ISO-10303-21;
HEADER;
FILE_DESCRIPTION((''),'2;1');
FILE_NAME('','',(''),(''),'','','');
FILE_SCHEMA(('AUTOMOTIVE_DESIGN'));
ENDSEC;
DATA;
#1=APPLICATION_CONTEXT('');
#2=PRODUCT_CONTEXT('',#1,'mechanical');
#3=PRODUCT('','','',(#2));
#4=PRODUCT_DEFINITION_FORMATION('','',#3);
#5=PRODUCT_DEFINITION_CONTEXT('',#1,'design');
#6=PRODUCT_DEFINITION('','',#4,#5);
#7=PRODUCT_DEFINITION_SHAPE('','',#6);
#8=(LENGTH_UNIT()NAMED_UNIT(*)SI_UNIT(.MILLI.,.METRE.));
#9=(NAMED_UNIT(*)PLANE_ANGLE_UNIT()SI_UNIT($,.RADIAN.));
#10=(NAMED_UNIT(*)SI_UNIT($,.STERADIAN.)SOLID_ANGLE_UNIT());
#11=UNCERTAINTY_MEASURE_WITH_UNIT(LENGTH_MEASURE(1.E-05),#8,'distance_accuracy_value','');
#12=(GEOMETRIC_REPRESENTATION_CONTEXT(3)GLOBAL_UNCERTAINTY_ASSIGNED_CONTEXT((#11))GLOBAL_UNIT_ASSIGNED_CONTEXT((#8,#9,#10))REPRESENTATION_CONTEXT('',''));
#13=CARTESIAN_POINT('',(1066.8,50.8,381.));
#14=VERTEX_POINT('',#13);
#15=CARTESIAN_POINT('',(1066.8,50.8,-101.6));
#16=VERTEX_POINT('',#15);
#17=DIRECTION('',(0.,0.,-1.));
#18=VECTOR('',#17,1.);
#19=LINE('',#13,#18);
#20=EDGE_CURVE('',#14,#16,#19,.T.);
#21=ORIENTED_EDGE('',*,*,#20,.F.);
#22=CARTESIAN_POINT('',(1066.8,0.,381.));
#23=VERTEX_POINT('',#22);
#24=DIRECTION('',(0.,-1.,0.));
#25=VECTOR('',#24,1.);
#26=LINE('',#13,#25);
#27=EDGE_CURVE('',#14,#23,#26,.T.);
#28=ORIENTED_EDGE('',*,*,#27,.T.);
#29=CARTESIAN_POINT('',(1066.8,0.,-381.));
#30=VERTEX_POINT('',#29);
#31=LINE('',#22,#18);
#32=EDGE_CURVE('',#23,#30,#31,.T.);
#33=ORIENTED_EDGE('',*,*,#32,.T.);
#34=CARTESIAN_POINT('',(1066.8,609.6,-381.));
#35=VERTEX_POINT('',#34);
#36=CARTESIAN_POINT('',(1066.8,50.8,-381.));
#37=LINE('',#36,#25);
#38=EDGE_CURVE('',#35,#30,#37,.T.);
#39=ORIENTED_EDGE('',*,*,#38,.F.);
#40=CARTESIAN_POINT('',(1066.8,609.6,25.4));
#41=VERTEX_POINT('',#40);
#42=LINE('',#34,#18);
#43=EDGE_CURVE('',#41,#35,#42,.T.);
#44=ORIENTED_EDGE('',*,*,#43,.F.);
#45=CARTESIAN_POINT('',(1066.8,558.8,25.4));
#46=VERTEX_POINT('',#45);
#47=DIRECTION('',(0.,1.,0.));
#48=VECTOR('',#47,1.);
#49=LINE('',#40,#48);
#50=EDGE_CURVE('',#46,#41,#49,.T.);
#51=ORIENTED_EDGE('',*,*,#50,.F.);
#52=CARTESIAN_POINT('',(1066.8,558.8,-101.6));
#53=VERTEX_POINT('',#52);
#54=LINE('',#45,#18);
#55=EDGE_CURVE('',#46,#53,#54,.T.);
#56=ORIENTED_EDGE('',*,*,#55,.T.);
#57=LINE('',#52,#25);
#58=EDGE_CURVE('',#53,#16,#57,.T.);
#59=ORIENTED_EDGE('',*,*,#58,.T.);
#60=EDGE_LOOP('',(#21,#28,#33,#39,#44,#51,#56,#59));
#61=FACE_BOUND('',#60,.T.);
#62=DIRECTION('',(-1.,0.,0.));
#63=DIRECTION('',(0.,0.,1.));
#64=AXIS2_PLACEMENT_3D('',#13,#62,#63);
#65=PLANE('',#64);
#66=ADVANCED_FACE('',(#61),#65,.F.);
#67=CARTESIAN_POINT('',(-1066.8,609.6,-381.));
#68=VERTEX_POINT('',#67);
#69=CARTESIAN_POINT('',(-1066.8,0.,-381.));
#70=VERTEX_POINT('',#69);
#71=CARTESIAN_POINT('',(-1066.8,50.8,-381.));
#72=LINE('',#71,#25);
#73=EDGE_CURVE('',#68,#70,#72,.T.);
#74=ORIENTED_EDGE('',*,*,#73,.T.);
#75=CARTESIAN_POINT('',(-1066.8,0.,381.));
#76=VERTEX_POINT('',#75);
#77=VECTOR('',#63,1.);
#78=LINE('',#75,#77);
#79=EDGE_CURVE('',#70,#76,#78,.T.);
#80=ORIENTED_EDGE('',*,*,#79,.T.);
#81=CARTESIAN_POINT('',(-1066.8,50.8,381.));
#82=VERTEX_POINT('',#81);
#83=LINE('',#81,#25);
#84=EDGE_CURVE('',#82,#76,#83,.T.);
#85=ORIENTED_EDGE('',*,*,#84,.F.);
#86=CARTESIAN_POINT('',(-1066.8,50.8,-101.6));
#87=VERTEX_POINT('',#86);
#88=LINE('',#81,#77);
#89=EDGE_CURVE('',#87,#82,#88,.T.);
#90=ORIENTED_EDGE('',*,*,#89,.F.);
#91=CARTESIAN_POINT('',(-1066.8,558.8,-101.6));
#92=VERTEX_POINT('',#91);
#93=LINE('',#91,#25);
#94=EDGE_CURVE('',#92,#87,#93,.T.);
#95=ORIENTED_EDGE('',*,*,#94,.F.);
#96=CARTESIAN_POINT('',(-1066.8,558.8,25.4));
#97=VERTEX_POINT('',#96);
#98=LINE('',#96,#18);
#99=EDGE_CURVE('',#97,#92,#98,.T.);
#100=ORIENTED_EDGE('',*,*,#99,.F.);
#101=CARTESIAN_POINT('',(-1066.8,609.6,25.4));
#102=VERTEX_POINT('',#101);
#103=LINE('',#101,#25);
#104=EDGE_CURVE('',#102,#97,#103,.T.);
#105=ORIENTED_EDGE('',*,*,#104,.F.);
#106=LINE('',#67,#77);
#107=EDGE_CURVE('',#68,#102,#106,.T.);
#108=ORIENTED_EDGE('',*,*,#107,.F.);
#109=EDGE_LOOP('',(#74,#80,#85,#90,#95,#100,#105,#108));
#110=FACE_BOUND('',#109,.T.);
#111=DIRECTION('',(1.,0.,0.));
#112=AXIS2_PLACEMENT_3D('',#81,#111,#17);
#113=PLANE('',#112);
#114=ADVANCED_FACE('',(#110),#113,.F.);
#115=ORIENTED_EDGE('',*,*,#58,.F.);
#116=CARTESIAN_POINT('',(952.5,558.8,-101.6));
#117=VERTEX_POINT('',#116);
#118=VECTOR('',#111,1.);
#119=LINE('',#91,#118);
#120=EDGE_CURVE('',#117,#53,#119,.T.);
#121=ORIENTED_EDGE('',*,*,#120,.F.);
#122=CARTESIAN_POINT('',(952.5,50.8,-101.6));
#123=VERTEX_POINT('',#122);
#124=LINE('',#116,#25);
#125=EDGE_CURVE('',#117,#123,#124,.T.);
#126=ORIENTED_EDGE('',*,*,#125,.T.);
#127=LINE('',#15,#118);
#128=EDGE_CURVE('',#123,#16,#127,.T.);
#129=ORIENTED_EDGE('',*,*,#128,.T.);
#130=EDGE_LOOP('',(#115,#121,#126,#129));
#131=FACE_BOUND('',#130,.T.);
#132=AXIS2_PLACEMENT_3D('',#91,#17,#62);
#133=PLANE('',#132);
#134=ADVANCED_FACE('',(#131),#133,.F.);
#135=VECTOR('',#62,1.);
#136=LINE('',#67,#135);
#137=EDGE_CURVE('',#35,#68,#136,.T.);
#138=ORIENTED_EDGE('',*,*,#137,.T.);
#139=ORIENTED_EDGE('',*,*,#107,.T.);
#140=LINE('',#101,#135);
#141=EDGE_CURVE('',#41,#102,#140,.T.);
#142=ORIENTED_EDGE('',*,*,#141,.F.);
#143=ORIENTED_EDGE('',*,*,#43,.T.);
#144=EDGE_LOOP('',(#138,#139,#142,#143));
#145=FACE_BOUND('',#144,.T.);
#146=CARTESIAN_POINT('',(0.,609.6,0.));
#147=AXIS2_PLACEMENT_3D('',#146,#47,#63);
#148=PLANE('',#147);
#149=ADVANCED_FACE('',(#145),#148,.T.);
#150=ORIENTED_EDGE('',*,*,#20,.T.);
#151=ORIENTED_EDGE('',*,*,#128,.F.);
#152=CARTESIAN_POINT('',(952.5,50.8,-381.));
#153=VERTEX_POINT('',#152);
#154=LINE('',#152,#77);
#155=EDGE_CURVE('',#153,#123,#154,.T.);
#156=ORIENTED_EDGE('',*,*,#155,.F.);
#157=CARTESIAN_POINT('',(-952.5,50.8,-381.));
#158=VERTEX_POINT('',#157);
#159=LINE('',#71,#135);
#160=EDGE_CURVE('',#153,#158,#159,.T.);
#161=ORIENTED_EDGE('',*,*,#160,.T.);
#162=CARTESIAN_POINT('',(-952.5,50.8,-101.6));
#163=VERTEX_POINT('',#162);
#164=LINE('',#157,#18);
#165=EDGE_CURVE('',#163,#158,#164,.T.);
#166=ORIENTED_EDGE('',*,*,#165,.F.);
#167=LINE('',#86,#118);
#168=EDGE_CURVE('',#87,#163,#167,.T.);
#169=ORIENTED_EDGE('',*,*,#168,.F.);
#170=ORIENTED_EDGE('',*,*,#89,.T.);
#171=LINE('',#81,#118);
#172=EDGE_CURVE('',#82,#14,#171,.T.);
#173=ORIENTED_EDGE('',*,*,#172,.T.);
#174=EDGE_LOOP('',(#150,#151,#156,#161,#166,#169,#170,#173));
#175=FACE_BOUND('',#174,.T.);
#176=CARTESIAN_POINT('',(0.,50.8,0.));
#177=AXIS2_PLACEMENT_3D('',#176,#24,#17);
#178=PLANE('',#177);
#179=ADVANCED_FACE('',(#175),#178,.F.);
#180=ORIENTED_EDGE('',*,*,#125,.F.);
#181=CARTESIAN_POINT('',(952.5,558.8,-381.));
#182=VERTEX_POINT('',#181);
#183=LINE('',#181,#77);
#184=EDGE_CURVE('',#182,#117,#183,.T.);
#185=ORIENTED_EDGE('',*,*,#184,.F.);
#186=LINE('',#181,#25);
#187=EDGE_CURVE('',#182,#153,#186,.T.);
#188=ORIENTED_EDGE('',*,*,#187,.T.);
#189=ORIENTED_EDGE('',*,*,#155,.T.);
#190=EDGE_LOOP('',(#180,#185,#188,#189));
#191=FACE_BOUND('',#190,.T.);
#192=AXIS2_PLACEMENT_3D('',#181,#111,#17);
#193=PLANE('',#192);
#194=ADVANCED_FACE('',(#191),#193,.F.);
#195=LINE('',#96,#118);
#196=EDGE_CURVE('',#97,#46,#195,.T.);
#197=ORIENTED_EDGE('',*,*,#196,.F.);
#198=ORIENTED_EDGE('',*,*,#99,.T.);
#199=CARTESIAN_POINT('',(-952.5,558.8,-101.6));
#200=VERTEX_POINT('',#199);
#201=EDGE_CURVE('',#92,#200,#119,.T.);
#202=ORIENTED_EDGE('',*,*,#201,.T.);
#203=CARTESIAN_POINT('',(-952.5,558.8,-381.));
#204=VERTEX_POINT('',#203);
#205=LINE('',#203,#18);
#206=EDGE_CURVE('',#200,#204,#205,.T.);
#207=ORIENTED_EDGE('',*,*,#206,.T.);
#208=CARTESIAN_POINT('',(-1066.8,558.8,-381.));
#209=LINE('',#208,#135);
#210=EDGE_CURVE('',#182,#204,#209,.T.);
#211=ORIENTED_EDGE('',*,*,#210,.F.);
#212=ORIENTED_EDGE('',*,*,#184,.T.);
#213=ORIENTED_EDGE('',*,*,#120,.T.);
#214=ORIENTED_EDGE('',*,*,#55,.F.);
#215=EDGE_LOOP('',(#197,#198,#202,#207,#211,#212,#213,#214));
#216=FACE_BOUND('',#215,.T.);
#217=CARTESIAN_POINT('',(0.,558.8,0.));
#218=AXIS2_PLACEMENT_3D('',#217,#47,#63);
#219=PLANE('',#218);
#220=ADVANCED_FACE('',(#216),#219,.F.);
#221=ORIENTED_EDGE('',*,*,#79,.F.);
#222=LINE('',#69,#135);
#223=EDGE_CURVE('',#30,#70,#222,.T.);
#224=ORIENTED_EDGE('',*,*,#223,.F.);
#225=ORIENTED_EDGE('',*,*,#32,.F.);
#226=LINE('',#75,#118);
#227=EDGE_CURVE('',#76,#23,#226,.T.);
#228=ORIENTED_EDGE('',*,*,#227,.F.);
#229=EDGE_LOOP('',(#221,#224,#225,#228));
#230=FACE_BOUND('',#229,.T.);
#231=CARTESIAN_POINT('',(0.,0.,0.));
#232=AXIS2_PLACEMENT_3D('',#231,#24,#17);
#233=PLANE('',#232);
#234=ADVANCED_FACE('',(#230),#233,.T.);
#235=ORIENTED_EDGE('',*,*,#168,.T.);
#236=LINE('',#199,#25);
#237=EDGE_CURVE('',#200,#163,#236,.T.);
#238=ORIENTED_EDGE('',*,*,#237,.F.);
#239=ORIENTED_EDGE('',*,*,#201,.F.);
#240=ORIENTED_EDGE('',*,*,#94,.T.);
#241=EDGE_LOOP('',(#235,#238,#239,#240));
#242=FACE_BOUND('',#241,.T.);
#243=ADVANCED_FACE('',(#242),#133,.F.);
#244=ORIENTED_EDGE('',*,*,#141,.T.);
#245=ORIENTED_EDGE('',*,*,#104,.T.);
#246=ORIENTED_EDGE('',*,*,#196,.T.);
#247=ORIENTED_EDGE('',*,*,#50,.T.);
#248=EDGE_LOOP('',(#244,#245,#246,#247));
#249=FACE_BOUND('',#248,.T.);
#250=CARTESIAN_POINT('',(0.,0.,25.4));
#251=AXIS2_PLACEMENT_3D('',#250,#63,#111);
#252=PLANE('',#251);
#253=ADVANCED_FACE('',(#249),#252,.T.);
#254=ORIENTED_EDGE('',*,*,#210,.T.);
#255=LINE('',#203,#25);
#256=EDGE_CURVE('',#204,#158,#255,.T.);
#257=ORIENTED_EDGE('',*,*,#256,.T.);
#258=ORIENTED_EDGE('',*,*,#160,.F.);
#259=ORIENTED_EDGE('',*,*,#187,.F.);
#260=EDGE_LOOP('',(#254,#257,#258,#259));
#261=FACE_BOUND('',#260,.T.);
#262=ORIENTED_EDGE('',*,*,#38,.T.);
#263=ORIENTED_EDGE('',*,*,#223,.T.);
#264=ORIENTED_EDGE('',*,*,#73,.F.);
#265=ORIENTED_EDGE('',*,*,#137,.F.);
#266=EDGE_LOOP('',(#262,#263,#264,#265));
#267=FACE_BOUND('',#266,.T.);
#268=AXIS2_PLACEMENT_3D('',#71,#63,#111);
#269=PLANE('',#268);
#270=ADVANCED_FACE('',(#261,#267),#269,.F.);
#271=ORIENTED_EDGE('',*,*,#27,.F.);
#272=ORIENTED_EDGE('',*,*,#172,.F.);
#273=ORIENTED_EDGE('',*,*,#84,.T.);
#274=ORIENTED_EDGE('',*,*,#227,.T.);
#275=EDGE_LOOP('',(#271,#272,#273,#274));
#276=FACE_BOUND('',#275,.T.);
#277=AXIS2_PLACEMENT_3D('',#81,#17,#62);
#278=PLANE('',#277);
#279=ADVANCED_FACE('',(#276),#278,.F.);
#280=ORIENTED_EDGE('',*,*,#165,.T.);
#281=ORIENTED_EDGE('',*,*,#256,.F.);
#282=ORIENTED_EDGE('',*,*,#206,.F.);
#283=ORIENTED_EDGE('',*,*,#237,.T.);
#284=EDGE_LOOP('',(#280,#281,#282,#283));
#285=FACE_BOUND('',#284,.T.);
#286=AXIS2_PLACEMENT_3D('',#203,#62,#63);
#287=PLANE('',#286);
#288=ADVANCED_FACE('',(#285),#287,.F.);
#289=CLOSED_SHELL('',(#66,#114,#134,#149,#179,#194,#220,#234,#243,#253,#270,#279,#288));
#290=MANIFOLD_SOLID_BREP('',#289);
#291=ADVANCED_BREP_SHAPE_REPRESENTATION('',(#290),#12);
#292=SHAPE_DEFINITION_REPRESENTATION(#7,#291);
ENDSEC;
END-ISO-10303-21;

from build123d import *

# Parameters (mm, degrees)
SKETCH1_W           = 2133.6
SKETCH1_H           = 762
BOSS_EXTRUDE1_DEPTH = 50.8
SKETCH3_W           = 114.3
SKETCH3_H           = 279.4
BOSS_EXTRUDE2_DEPTH = 508
SKETCH4_W           = 2133.6
SKETCH4_H           = 279.4
BOSS_EXTRUDE3_DEPTH = 50.8
SKETCH5_W           = 2133.6
SKETCH5_H           = 50.8
BOSS_EXTRUDE4_DEPTH = 127


with BuildPart() as part:
    # Sketch1 → Boss-Extrude1 (new body)
    with BuildSketch(Plane(origin=(0, 0, 0), x_dir=(1, 0, 0), z_dir=(0, 1, 0))):
        Rectangle(SKETCH1_W, SKETCH1_H)
    extrude(amount=BOSS_EXTRUDE1_DEPTH)

    # Sketch3 → Boss-Extrude2 (add)
    with BuildSketch(Plane(origin=(0, 50.8, 0), x_dir=(1, 0, 0), z_dir=(0, 1, 0))):
        with Locations((-1009.65, 241.3)):
            Rectangle(SKETCH3_W, SKETCH3_H)
        with Locations((1009.65, 241.3)):
            Rectangle(SKETCH3_W, SKETCH3_H)
    extrude(amount=BOSS_EXTRUDE2_DEPTH)

    # Sketch4 → Boss-Extrude3 (add)
    with BuildSketch(Plane(origin=(0, 558.8, 0), x_dir=(1, 0, 0), z_dir=(0, 1, 0))):
        with Locations((0, 241.3)):
            Rectangle(SKETCH4_W, SKETCH4_H)
    extrude(amount=BOSS_EXTRUDE3_DEPTH)

    # Sketch5 → Boss-Extrude4 (add)
    with BuildSketch(Plane.XY.offset(-101.6)):
        with Locations((0, 584.2)):
            Rectangle(SKETCH5_W, SKETCH5_H)
    extrude(amount=BOSS_EXTRUDE4_DEPTH)


solid = part.part
